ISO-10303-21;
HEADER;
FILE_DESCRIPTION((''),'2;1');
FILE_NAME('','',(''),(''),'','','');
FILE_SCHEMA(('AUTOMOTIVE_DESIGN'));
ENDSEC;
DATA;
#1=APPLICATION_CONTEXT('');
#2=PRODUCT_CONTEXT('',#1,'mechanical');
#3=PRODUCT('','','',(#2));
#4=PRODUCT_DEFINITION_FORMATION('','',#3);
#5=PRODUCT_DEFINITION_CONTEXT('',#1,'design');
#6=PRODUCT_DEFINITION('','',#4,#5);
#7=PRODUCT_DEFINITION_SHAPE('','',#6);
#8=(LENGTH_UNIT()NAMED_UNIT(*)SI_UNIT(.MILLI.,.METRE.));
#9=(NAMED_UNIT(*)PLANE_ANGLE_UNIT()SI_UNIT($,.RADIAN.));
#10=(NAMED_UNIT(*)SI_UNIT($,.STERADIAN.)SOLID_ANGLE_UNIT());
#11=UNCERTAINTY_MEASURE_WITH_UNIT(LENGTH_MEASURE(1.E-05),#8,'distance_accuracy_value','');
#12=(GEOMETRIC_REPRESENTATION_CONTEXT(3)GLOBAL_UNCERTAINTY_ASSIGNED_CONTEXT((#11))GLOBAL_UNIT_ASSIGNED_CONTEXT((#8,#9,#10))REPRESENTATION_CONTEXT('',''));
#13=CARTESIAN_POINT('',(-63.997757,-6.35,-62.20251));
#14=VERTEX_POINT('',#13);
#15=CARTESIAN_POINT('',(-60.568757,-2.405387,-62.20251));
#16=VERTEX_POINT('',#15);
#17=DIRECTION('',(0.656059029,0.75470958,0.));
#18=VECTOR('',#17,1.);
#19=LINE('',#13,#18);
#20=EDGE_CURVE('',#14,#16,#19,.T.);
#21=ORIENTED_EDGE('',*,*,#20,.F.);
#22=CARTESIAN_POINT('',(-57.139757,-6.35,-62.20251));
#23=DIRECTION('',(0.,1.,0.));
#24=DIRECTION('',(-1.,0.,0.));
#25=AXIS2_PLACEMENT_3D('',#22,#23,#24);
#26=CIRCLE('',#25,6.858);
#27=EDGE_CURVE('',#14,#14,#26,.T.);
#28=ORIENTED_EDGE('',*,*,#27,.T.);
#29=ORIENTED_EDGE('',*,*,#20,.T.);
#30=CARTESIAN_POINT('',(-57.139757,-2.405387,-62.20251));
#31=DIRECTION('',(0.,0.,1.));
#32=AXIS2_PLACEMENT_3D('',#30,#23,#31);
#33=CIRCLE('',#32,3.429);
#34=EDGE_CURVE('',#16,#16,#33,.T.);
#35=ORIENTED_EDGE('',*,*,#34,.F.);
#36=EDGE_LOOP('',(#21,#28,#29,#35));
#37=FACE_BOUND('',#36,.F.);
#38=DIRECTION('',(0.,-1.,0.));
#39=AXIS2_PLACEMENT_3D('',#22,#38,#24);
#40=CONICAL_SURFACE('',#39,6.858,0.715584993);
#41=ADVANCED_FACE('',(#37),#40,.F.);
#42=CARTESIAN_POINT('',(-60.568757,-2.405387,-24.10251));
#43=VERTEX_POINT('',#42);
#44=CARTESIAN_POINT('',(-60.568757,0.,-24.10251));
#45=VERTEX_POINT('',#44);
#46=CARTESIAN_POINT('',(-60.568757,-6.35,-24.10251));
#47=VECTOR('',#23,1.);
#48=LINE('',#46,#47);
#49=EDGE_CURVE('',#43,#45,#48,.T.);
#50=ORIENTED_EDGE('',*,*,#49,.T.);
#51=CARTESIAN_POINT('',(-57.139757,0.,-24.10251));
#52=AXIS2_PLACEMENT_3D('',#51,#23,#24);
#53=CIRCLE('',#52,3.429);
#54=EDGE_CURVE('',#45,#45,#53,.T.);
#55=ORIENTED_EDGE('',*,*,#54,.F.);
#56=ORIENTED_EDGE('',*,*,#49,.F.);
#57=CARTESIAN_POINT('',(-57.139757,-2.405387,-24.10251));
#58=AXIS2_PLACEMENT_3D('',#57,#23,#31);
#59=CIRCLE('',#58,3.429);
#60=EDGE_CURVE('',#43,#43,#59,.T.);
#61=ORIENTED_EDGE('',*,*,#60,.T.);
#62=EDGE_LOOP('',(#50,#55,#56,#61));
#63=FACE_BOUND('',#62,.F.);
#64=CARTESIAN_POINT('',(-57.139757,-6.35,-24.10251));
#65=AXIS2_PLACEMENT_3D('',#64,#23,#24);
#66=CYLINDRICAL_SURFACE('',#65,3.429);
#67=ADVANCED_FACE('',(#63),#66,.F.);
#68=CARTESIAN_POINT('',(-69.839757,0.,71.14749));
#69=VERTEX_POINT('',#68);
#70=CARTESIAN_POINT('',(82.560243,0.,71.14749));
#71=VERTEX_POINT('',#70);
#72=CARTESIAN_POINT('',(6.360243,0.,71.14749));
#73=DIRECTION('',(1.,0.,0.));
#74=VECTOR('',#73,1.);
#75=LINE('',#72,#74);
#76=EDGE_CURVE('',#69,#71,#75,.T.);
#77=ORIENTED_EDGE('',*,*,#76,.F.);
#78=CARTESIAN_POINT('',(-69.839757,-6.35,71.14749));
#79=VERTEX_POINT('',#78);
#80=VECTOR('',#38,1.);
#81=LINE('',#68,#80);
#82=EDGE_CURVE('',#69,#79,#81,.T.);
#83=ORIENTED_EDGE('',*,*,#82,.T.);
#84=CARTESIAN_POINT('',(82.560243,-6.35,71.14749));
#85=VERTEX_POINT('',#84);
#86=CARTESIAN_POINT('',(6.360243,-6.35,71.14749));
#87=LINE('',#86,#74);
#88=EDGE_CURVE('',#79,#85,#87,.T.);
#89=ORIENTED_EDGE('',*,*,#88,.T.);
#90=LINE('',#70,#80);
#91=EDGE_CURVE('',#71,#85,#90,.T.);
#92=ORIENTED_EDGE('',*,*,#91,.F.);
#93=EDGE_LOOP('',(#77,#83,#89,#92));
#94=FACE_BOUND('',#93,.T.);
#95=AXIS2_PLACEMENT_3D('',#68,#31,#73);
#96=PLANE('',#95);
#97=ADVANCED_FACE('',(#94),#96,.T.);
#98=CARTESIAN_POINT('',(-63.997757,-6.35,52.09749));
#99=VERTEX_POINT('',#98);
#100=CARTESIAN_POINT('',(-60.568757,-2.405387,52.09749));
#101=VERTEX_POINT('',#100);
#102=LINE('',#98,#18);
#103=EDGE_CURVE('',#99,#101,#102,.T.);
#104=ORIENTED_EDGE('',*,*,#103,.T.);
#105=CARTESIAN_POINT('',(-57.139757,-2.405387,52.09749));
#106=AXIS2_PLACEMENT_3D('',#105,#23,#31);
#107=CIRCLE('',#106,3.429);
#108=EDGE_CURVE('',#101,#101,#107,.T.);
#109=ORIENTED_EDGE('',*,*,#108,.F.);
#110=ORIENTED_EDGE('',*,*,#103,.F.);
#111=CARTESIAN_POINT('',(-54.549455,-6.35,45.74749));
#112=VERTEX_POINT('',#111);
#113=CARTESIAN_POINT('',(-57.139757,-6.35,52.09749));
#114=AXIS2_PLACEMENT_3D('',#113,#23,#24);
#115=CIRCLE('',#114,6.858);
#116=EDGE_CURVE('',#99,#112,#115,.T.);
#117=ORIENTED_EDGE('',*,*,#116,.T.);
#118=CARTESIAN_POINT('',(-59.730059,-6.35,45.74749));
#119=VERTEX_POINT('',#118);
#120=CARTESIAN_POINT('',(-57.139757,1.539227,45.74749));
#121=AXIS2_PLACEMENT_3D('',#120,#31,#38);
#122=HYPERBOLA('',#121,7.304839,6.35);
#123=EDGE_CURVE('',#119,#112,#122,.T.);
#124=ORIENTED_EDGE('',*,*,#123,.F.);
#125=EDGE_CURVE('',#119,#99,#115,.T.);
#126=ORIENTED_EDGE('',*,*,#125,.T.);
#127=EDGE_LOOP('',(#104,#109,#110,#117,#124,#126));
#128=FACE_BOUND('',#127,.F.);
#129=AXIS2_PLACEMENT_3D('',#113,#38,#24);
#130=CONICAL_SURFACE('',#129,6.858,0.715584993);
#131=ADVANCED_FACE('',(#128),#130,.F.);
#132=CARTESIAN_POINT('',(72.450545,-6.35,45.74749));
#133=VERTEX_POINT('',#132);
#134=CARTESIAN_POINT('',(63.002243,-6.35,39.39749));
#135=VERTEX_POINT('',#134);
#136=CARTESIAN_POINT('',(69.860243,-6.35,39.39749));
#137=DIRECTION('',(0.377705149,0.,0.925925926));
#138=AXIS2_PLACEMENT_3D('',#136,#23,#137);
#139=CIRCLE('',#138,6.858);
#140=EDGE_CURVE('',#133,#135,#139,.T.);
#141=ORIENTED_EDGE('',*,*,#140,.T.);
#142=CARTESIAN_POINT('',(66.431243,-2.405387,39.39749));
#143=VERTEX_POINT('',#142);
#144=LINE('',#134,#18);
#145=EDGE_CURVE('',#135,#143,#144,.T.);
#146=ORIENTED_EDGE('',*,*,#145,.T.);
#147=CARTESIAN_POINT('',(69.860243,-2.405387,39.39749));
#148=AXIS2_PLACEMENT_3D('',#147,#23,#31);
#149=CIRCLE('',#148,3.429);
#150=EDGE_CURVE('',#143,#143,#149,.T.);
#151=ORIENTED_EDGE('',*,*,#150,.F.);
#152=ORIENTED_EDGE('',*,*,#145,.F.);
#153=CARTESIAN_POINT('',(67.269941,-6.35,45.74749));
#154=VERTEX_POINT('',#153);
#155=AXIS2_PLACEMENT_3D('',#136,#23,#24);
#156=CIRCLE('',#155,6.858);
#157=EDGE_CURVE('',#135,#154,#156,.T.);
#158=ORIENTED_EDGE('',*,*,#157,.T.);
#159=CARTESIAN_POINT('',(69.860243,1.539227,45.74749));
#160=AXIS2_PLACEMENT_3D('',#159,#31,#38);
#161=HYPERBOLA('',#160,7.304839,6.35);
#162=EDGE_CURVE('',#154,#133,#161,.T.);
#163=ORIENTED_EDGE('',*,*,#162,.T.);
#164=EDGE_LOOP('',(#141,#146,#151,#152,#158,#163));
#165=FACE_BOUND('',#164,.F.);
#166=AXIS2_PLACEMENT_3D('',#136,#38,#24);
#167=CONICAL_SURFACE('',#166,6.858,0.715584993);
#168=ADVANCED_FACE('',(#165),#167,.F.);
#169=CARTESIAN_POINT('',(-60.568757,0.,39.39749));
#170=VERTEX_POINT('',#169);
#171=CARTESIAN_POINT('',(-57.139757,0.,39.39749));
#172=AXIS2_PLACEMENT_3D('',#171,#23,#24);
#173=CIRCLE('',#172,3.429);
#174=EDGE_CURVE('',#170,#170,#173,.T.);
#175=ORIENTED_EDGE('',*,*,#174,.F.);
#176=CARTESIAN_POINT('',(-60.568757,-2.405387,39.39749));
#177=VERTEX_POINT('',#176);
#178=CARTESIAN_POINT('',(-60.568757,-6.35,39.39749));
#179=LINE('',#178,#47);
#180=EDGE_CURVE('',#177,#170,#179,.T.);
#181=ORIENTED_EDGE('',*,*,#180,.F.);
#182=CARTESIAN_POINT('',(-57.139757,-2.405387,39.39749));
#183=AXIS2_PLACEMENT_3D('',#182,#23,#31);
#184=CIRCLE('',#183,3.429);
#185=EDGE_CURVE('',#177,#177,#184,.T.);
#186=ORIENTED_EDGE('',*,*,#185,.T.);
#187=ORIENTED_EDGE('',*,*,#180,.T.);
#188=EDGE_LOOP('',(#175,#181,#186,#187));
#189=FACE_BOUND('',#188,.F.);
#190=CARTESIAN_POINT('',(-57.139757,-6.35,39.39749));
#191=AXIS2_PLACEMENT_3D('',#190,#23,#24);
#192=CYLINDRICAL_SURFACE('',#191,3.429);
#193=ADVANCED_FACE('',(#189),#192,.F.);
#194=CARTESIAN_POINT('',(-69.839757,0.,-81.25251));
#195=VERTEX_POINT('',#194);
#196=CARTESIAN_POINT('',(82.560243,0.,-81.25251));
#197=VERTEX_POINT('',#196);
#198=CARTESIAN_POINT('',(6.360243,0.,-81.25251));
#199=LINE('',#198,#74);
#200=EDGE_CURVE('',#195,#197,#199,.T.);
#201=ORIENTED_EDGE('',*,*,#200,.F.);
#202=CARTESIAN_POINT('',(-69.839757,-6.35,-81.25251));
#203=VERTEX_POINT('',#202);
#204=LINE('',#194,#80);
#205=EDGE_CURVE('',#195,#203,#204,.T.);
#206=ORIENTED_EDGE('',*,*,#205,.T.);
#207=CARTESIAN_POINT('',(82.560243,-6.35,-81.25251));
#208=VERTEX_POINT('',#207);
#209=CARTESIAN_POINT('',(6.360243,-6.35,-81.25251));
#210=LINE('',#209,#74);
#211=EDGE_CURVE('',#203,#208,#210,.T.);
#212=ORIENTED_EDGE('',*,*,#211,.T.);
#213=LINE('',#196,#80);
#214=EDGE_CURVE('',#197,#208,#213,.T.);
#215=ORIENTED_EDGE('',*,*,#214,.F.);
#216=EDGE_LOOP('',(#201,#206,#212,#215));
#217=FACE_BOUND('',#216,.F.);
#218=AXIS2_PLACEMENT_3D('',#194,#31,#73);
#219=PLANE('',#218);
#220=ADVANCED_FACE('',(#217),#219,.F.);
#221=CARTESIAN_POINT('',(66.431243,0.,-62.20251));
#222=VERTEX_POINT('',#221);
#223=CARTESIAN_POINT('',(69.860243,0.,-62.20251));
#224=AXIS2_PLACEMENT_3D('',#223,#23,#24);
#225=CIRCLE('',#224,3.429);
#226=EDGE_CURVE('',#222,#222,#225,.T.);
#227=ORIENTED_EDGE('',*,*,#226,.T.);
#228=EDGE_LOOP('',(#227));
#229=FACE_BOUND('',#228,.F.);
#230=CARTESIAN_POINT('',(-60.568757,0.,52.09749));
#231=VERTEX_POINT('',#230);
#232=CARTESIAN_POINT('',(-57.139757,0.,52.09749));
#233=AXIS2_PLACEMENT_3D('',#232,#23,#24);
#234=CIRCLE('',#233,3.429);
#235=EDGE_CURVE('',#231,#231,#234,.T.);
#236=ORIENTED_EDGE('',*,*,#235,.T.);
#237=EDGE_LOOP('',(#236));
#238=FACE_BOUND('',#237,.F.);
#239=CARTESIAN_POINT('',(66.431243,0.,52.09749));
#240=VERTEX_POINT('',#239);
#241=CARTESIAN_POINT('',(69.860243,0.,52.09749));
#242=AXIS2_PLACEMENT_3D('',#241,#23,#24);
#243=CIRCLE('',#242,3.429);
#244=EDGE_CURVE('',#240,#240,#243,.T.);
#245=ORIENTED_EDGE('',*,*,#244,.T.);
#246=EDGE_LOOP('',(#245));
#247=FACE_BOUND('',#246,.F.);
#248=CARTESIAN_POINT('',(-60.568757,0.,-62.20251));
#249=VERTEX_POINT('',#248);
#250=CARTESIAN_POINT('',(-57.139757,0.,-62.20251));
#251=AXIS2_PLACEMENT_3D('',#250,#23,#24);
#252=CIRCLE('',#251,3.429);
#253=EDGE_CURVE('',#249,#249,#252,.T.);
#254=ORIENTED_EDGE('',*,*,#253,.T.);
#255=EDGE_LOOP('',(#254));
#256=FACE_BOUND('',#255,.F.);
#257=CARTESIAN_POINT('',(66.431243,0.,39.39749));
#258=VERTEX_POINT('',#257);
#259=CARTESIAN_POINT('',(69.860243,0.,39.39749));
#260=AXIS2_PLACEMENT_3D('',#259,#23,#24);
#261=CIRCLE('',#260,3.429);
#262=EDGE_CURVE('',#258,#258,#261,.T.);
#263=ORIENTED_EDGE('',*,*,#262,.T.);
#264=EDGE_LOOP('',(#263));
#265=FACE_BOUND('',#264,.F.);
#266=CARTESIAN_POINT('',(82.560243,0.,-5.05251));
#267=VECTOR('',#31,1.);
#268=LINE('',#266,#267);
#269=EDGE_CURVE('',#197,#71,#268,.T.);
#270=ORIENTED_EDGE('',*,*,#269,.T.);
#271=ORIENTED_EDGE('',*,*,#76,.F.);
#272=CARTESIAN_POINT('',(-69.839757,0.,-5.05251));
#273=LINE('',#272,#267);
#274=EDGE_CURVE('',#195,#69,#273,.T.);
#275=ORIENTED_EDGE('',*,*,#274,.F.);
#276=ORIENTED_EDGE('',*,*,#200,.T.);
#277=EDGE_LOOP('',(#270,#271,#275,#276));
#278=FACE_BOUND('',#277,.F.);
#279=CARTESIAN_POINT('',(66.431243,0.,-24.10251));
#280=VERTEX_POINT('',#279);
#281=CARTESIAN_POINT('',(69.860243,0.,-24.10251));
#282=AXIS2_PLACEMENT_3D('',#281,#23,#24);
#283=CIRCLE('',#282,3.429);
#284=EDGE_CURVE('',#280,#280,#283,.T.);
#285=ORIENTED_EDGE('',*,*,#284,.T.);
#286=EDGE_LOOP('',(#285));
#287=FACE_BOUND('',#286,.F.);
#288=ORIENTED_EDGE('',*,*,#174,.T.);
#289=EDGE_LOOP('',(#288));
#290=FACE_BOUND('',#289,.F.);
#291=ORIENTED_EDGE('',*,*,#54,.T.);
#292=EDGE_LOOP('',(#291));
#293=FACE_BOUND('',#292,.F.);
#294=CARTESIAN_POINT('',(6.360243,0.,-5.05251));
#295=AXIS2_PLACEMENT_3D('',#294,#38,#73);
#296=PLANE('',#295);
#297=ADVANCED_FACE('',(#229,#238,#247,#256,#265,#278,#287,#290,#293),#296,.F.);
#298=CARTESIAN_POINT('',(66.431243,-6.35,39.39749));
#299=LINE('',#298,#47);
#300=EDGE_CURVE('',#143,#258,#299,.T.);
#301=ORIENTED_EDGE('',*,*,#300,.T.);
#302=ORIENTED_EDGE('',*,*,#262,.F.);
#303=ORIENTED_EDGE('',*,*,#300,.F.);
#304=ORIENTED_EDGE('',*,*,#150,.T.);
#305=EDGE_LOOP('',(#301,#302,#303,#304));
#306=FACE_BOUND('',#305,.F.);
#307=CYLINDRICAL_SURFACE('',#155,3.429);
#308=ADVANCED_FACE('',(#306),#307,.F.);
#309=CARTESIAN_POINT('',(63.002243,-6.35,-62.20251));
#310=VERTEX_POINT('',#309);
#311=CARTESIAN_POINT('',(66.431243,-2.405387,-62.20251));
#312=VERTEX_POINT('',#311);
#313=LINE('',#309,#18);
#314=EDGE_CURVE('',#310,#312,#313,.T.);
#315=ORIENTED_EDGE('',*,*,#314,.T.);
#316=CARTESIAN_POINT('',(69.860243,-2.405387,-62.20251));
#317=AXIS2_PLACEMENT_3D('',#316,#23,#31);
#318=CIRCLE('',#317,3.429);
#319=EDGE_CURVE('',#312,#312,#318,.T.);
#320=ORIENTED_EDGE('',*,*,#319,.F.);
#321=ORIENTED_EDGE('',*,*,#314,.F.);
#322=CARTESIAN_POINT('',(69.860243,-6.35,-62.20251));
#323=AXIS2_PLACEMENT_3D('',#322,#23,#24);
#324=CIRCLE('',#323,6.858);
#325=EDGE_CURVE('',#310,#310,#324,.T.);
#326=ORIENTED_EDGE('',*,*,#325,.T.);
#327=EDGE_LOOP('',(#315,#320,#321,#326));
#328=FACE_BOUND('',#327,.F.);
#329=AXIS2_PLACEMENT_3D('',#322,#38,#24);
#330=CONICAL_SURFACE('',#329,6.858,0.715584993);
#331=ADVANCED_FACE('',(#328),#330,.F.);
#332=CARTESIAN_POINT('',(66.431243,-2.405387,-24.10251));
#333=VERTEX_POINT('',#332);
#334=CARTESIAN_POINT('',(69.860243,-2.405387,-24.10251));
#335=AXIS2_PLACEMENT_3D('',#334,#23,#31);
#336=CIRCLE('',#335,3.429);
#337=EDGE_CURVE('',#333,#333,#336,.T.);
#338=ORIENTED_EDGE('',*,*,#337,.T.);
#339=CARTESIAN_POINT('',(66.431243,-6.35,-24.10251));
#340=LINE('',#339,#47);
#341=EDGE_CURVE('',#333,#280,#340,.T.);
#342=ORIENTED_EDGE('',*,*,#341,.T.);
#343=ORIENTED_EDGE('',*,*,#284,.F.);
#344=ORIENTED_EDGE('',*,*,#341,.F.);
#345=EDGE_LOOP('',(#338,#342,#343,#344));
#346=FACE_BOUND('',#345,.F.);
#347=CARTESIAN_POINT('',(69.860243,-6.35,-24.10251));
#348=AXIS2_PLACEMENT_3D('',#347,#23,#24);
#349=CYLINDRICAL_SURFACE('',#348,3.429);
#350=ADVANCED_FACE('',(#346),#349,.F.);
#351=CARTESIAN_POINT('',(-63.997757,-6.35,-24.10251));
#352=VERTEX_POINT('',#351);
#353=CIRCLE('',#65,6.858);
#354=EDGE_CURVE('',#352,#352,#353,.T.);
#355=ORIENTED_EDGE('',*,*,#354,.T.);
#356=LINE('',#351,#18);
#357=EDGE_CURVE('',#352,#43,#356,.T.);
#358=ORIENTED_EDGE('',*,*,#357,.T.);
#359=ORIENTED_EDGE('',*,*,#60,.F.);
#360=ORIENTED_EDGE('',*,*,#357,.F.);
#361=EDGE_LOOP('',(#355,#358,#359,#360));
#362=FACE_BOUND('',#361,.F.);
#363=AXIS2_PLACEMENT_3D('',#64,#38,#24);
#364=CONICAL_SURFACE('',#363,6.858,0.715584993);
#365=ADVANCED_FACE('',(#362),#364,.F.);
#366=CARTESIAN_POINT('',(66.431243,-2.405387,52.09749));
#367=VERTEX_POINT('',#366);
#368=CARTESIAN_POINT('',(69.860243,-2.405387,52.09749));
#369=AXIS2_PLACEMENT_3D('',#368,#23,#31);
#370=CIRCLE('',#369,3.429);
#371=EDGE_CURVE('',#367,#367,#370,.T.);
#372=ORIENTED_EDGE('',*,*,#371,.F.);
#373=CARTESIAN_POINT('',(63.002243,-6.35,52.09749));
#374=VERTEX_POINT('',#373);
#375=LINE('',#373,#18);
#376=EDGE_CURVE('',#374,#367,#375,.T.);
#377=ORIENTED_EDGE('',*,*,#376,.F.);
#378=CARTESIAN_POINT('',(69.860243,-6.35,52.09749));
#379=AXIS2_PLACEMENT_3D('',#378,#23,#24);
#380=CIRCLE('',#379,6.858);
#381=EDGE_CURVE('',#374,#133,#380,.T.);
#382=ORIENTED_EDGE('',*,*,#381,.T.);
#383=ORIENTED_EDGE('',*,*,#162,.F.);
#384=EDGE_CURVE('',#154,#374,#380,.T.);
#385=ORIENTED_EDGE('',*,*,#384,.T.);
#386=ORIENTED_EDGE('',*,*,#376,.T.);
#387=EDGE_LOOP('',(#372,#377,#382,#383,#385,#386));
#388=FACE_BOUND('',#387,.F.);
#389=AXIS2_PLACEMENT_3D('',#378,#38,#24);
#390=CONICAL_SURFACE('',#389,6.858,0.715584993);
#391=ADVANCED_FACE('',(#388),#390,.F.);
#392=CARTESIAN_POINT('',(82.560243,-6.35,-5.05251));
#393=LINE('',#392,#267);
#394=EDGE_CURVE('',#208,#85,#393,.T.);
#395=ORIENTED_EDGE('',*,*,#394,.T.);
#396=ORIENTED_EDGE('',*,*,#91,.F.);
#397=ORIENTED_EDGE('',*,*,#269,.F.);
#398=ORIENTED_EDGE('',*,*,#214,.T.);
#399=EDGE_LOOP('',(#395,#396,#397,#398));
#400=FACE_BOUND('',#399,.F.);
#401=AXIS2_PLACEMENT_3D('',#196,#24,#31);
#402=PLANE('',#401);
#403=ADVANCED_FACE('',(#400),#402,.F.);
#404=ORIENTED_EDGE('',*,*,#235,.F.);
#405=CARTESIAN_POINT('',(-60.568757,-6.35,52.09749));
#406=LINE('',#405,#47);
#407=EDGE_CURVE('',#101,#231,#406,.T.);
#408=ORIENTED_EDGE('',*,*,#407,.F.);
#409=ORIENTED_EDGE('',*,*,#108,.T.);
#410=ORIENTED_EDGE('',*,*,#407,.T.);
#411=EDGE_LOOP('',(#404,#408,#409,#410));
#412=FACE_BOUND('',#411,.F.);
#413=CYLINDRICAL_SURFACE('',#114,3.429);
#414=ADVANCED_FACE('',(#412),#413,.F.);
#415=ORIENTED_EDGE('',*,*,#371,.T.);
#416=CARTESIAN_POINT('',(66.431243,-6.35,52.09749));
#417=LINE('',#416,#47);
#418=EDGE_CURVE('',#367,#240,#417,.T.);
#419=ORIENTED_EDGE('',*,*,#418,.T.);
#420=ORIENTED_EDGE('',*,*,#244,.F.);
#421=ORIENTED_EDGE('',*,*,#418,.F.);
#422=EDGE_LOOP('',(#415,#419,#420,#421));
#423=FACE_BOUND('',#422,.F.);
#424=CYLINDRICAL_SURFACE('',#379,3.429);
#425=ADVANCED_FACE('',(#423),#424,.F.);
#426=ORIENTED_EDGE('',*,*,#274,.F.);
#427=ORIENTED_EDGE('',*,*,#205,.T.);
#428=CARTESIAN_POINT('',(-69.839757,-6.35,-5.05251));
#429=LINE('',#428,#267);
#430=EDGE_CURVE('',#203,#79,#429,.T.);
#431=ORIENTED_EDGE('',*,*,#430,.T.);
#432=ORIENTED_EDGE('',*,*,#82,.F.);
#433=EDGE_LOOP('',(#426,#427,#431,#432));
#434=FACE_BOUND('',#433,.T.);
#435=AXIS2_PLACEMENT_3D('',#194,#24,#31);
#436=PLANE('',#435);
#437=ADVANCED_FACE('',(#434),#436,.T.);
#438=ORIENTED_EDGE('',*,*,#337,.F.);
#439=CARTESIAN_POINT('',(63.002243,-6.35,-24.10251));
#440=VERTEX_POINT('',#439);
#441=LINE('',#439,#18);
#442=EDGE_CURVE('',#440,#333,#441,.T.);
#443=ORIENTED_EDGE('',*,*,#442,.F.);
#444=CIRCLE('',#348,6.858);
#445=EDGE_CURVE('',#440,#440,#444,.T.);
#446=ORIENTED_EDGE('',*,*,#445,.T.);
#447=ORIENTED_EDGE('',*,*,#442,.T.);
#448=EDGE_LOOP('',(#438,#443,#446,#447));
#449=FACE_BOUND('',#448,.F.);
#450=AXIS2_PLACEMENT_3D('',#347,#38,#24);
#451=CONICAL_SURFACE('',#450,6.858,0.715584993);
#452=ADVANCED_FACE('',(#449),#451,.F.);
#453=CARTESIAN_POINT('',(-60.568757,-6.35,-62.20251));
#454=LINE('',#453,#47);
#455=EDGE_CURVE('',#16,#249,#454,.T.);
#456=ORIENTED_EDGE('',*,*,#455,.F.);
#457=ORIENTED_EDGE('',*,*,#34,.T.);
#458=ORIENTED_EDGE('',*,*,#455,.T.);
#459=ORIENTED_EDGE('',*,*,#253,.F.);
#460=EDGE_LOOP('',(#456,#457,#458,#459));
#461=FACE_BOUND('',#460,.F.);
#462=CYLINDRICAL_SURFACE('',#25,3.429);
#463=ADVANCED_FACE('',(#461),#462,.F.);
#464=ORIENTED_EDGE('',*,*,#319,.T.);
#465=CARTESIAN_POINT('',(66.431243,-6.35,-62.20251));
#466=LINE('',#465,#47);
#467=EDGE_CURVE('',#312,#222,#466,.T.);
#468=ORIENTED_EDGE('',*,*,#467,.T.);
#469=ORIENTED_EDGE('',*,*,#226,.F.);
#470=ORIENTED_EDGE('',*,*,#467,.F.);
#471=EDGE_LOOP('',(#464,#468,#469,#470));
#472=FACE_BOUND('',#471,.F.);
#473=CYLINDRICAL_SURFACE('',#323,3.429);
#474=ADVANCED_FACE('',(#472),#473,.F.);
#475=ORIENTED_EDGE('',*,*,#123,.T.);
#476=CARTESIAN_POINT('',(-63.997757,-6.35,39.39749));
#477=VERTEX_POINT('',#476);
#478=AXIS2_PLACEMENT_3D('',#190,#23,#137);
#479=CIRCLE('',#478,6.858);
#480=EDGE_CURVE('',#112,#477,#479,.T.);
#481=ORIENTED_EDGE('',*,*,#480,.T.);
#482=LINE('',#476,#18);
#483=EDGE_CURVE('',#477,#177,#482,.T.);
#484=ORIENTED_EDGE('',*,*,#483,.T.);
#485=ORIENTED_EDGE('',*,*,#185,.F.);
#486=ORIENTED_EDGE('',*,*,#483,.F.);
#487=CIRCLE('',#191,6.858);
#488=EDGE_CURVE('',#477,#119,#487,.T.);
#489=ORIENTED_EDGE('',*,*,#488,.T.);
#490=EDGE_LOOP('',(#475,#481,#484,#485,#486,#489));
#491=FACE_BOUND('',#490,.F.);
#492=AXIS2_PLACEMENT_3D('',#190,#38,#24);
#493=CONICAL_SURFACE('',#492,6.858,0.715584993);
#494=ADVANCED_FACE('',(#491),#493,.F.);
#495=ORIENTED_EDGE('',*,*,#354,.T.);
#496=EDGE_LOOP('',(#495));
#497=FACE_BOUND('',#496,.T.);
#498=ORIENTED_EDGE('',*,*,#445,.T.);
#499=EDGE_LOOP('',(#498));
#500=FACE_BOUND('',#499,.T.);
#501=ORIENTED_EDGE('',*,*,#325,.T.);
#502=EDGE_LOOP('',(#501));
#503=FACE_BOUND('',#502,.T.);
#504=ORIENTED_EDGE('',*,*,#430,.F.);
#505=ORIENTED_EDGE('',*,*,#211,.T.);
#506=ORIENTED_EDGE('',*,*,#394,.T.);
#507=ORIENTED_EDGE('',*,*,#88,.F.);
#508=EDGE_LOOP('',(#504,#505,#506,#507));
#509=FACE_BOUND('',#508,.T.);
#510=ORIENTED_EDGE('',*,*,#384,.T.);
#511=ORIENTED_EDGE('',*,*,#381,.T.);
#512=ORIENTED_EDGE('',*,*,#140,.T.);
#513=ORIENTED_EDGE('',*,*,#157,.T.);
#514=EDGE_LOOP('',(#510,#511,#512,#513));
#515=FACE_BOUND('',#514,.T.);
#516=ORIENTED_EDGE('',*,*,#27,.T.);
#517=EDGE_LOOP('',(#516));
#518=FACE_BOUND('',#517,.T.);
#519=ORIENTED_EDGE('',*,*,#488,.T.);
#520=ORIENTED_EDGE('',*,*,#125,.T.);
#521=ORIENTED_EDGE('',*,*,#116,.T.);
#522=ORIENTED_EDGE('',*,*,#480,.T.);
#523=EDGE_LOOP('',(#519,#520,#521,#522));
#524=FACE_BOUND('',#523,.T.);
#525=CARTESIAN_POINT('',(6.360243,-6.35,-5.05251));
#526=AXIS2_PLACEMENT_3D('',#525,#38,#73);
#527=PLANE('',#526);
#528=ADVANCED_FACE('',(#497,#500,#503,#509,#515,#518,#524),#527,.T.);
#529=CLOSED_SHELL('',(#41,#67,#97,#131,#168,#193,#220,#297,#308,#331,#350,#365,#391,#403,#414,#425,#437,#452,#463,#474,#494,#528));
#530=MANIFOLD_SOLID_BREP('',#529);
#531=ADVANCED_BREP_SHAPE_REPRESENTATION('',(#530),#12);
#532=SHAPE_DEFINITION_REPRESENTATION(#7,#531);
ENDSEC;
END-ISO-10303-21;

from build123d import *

# Parameters (mm, degrees)
F0_W           = 152.4
F0_H           = 152.4
F1_DEPTH       = 6.35
F3_D           = 6.858
F3_CSINK_D     = 13.716
F3_CSINK_ANGLE = 82


with BuildPart() as f1:
    # F0 (on Front) → F1 (new body)
    with BuildSketch(Plane.XZ):
        with Locations((6.360243, -5.05251)):
            Rectangle(F0_W, F0_H)
    extrude(amount=F1_DEPTH)

    # F3 (through all)
    with Locations(Plane.XZ.offset(6.35)):
        with Locations((-57.139757, 52.09749), (-57.139757, 39.39749), (69.860243, 52.09749), (69.860243, 39.39749), (69.860243, -24.10251), (69.860243, -62.20251), (-57.139757, -62.20251), (-57.139757, -24.10251)):
            CounterSinkHole(F3_D / 2, F3_CSINK_D / 2, counter_sink_angle=F3_CSINK_ANGLE)


solid = f1.part
